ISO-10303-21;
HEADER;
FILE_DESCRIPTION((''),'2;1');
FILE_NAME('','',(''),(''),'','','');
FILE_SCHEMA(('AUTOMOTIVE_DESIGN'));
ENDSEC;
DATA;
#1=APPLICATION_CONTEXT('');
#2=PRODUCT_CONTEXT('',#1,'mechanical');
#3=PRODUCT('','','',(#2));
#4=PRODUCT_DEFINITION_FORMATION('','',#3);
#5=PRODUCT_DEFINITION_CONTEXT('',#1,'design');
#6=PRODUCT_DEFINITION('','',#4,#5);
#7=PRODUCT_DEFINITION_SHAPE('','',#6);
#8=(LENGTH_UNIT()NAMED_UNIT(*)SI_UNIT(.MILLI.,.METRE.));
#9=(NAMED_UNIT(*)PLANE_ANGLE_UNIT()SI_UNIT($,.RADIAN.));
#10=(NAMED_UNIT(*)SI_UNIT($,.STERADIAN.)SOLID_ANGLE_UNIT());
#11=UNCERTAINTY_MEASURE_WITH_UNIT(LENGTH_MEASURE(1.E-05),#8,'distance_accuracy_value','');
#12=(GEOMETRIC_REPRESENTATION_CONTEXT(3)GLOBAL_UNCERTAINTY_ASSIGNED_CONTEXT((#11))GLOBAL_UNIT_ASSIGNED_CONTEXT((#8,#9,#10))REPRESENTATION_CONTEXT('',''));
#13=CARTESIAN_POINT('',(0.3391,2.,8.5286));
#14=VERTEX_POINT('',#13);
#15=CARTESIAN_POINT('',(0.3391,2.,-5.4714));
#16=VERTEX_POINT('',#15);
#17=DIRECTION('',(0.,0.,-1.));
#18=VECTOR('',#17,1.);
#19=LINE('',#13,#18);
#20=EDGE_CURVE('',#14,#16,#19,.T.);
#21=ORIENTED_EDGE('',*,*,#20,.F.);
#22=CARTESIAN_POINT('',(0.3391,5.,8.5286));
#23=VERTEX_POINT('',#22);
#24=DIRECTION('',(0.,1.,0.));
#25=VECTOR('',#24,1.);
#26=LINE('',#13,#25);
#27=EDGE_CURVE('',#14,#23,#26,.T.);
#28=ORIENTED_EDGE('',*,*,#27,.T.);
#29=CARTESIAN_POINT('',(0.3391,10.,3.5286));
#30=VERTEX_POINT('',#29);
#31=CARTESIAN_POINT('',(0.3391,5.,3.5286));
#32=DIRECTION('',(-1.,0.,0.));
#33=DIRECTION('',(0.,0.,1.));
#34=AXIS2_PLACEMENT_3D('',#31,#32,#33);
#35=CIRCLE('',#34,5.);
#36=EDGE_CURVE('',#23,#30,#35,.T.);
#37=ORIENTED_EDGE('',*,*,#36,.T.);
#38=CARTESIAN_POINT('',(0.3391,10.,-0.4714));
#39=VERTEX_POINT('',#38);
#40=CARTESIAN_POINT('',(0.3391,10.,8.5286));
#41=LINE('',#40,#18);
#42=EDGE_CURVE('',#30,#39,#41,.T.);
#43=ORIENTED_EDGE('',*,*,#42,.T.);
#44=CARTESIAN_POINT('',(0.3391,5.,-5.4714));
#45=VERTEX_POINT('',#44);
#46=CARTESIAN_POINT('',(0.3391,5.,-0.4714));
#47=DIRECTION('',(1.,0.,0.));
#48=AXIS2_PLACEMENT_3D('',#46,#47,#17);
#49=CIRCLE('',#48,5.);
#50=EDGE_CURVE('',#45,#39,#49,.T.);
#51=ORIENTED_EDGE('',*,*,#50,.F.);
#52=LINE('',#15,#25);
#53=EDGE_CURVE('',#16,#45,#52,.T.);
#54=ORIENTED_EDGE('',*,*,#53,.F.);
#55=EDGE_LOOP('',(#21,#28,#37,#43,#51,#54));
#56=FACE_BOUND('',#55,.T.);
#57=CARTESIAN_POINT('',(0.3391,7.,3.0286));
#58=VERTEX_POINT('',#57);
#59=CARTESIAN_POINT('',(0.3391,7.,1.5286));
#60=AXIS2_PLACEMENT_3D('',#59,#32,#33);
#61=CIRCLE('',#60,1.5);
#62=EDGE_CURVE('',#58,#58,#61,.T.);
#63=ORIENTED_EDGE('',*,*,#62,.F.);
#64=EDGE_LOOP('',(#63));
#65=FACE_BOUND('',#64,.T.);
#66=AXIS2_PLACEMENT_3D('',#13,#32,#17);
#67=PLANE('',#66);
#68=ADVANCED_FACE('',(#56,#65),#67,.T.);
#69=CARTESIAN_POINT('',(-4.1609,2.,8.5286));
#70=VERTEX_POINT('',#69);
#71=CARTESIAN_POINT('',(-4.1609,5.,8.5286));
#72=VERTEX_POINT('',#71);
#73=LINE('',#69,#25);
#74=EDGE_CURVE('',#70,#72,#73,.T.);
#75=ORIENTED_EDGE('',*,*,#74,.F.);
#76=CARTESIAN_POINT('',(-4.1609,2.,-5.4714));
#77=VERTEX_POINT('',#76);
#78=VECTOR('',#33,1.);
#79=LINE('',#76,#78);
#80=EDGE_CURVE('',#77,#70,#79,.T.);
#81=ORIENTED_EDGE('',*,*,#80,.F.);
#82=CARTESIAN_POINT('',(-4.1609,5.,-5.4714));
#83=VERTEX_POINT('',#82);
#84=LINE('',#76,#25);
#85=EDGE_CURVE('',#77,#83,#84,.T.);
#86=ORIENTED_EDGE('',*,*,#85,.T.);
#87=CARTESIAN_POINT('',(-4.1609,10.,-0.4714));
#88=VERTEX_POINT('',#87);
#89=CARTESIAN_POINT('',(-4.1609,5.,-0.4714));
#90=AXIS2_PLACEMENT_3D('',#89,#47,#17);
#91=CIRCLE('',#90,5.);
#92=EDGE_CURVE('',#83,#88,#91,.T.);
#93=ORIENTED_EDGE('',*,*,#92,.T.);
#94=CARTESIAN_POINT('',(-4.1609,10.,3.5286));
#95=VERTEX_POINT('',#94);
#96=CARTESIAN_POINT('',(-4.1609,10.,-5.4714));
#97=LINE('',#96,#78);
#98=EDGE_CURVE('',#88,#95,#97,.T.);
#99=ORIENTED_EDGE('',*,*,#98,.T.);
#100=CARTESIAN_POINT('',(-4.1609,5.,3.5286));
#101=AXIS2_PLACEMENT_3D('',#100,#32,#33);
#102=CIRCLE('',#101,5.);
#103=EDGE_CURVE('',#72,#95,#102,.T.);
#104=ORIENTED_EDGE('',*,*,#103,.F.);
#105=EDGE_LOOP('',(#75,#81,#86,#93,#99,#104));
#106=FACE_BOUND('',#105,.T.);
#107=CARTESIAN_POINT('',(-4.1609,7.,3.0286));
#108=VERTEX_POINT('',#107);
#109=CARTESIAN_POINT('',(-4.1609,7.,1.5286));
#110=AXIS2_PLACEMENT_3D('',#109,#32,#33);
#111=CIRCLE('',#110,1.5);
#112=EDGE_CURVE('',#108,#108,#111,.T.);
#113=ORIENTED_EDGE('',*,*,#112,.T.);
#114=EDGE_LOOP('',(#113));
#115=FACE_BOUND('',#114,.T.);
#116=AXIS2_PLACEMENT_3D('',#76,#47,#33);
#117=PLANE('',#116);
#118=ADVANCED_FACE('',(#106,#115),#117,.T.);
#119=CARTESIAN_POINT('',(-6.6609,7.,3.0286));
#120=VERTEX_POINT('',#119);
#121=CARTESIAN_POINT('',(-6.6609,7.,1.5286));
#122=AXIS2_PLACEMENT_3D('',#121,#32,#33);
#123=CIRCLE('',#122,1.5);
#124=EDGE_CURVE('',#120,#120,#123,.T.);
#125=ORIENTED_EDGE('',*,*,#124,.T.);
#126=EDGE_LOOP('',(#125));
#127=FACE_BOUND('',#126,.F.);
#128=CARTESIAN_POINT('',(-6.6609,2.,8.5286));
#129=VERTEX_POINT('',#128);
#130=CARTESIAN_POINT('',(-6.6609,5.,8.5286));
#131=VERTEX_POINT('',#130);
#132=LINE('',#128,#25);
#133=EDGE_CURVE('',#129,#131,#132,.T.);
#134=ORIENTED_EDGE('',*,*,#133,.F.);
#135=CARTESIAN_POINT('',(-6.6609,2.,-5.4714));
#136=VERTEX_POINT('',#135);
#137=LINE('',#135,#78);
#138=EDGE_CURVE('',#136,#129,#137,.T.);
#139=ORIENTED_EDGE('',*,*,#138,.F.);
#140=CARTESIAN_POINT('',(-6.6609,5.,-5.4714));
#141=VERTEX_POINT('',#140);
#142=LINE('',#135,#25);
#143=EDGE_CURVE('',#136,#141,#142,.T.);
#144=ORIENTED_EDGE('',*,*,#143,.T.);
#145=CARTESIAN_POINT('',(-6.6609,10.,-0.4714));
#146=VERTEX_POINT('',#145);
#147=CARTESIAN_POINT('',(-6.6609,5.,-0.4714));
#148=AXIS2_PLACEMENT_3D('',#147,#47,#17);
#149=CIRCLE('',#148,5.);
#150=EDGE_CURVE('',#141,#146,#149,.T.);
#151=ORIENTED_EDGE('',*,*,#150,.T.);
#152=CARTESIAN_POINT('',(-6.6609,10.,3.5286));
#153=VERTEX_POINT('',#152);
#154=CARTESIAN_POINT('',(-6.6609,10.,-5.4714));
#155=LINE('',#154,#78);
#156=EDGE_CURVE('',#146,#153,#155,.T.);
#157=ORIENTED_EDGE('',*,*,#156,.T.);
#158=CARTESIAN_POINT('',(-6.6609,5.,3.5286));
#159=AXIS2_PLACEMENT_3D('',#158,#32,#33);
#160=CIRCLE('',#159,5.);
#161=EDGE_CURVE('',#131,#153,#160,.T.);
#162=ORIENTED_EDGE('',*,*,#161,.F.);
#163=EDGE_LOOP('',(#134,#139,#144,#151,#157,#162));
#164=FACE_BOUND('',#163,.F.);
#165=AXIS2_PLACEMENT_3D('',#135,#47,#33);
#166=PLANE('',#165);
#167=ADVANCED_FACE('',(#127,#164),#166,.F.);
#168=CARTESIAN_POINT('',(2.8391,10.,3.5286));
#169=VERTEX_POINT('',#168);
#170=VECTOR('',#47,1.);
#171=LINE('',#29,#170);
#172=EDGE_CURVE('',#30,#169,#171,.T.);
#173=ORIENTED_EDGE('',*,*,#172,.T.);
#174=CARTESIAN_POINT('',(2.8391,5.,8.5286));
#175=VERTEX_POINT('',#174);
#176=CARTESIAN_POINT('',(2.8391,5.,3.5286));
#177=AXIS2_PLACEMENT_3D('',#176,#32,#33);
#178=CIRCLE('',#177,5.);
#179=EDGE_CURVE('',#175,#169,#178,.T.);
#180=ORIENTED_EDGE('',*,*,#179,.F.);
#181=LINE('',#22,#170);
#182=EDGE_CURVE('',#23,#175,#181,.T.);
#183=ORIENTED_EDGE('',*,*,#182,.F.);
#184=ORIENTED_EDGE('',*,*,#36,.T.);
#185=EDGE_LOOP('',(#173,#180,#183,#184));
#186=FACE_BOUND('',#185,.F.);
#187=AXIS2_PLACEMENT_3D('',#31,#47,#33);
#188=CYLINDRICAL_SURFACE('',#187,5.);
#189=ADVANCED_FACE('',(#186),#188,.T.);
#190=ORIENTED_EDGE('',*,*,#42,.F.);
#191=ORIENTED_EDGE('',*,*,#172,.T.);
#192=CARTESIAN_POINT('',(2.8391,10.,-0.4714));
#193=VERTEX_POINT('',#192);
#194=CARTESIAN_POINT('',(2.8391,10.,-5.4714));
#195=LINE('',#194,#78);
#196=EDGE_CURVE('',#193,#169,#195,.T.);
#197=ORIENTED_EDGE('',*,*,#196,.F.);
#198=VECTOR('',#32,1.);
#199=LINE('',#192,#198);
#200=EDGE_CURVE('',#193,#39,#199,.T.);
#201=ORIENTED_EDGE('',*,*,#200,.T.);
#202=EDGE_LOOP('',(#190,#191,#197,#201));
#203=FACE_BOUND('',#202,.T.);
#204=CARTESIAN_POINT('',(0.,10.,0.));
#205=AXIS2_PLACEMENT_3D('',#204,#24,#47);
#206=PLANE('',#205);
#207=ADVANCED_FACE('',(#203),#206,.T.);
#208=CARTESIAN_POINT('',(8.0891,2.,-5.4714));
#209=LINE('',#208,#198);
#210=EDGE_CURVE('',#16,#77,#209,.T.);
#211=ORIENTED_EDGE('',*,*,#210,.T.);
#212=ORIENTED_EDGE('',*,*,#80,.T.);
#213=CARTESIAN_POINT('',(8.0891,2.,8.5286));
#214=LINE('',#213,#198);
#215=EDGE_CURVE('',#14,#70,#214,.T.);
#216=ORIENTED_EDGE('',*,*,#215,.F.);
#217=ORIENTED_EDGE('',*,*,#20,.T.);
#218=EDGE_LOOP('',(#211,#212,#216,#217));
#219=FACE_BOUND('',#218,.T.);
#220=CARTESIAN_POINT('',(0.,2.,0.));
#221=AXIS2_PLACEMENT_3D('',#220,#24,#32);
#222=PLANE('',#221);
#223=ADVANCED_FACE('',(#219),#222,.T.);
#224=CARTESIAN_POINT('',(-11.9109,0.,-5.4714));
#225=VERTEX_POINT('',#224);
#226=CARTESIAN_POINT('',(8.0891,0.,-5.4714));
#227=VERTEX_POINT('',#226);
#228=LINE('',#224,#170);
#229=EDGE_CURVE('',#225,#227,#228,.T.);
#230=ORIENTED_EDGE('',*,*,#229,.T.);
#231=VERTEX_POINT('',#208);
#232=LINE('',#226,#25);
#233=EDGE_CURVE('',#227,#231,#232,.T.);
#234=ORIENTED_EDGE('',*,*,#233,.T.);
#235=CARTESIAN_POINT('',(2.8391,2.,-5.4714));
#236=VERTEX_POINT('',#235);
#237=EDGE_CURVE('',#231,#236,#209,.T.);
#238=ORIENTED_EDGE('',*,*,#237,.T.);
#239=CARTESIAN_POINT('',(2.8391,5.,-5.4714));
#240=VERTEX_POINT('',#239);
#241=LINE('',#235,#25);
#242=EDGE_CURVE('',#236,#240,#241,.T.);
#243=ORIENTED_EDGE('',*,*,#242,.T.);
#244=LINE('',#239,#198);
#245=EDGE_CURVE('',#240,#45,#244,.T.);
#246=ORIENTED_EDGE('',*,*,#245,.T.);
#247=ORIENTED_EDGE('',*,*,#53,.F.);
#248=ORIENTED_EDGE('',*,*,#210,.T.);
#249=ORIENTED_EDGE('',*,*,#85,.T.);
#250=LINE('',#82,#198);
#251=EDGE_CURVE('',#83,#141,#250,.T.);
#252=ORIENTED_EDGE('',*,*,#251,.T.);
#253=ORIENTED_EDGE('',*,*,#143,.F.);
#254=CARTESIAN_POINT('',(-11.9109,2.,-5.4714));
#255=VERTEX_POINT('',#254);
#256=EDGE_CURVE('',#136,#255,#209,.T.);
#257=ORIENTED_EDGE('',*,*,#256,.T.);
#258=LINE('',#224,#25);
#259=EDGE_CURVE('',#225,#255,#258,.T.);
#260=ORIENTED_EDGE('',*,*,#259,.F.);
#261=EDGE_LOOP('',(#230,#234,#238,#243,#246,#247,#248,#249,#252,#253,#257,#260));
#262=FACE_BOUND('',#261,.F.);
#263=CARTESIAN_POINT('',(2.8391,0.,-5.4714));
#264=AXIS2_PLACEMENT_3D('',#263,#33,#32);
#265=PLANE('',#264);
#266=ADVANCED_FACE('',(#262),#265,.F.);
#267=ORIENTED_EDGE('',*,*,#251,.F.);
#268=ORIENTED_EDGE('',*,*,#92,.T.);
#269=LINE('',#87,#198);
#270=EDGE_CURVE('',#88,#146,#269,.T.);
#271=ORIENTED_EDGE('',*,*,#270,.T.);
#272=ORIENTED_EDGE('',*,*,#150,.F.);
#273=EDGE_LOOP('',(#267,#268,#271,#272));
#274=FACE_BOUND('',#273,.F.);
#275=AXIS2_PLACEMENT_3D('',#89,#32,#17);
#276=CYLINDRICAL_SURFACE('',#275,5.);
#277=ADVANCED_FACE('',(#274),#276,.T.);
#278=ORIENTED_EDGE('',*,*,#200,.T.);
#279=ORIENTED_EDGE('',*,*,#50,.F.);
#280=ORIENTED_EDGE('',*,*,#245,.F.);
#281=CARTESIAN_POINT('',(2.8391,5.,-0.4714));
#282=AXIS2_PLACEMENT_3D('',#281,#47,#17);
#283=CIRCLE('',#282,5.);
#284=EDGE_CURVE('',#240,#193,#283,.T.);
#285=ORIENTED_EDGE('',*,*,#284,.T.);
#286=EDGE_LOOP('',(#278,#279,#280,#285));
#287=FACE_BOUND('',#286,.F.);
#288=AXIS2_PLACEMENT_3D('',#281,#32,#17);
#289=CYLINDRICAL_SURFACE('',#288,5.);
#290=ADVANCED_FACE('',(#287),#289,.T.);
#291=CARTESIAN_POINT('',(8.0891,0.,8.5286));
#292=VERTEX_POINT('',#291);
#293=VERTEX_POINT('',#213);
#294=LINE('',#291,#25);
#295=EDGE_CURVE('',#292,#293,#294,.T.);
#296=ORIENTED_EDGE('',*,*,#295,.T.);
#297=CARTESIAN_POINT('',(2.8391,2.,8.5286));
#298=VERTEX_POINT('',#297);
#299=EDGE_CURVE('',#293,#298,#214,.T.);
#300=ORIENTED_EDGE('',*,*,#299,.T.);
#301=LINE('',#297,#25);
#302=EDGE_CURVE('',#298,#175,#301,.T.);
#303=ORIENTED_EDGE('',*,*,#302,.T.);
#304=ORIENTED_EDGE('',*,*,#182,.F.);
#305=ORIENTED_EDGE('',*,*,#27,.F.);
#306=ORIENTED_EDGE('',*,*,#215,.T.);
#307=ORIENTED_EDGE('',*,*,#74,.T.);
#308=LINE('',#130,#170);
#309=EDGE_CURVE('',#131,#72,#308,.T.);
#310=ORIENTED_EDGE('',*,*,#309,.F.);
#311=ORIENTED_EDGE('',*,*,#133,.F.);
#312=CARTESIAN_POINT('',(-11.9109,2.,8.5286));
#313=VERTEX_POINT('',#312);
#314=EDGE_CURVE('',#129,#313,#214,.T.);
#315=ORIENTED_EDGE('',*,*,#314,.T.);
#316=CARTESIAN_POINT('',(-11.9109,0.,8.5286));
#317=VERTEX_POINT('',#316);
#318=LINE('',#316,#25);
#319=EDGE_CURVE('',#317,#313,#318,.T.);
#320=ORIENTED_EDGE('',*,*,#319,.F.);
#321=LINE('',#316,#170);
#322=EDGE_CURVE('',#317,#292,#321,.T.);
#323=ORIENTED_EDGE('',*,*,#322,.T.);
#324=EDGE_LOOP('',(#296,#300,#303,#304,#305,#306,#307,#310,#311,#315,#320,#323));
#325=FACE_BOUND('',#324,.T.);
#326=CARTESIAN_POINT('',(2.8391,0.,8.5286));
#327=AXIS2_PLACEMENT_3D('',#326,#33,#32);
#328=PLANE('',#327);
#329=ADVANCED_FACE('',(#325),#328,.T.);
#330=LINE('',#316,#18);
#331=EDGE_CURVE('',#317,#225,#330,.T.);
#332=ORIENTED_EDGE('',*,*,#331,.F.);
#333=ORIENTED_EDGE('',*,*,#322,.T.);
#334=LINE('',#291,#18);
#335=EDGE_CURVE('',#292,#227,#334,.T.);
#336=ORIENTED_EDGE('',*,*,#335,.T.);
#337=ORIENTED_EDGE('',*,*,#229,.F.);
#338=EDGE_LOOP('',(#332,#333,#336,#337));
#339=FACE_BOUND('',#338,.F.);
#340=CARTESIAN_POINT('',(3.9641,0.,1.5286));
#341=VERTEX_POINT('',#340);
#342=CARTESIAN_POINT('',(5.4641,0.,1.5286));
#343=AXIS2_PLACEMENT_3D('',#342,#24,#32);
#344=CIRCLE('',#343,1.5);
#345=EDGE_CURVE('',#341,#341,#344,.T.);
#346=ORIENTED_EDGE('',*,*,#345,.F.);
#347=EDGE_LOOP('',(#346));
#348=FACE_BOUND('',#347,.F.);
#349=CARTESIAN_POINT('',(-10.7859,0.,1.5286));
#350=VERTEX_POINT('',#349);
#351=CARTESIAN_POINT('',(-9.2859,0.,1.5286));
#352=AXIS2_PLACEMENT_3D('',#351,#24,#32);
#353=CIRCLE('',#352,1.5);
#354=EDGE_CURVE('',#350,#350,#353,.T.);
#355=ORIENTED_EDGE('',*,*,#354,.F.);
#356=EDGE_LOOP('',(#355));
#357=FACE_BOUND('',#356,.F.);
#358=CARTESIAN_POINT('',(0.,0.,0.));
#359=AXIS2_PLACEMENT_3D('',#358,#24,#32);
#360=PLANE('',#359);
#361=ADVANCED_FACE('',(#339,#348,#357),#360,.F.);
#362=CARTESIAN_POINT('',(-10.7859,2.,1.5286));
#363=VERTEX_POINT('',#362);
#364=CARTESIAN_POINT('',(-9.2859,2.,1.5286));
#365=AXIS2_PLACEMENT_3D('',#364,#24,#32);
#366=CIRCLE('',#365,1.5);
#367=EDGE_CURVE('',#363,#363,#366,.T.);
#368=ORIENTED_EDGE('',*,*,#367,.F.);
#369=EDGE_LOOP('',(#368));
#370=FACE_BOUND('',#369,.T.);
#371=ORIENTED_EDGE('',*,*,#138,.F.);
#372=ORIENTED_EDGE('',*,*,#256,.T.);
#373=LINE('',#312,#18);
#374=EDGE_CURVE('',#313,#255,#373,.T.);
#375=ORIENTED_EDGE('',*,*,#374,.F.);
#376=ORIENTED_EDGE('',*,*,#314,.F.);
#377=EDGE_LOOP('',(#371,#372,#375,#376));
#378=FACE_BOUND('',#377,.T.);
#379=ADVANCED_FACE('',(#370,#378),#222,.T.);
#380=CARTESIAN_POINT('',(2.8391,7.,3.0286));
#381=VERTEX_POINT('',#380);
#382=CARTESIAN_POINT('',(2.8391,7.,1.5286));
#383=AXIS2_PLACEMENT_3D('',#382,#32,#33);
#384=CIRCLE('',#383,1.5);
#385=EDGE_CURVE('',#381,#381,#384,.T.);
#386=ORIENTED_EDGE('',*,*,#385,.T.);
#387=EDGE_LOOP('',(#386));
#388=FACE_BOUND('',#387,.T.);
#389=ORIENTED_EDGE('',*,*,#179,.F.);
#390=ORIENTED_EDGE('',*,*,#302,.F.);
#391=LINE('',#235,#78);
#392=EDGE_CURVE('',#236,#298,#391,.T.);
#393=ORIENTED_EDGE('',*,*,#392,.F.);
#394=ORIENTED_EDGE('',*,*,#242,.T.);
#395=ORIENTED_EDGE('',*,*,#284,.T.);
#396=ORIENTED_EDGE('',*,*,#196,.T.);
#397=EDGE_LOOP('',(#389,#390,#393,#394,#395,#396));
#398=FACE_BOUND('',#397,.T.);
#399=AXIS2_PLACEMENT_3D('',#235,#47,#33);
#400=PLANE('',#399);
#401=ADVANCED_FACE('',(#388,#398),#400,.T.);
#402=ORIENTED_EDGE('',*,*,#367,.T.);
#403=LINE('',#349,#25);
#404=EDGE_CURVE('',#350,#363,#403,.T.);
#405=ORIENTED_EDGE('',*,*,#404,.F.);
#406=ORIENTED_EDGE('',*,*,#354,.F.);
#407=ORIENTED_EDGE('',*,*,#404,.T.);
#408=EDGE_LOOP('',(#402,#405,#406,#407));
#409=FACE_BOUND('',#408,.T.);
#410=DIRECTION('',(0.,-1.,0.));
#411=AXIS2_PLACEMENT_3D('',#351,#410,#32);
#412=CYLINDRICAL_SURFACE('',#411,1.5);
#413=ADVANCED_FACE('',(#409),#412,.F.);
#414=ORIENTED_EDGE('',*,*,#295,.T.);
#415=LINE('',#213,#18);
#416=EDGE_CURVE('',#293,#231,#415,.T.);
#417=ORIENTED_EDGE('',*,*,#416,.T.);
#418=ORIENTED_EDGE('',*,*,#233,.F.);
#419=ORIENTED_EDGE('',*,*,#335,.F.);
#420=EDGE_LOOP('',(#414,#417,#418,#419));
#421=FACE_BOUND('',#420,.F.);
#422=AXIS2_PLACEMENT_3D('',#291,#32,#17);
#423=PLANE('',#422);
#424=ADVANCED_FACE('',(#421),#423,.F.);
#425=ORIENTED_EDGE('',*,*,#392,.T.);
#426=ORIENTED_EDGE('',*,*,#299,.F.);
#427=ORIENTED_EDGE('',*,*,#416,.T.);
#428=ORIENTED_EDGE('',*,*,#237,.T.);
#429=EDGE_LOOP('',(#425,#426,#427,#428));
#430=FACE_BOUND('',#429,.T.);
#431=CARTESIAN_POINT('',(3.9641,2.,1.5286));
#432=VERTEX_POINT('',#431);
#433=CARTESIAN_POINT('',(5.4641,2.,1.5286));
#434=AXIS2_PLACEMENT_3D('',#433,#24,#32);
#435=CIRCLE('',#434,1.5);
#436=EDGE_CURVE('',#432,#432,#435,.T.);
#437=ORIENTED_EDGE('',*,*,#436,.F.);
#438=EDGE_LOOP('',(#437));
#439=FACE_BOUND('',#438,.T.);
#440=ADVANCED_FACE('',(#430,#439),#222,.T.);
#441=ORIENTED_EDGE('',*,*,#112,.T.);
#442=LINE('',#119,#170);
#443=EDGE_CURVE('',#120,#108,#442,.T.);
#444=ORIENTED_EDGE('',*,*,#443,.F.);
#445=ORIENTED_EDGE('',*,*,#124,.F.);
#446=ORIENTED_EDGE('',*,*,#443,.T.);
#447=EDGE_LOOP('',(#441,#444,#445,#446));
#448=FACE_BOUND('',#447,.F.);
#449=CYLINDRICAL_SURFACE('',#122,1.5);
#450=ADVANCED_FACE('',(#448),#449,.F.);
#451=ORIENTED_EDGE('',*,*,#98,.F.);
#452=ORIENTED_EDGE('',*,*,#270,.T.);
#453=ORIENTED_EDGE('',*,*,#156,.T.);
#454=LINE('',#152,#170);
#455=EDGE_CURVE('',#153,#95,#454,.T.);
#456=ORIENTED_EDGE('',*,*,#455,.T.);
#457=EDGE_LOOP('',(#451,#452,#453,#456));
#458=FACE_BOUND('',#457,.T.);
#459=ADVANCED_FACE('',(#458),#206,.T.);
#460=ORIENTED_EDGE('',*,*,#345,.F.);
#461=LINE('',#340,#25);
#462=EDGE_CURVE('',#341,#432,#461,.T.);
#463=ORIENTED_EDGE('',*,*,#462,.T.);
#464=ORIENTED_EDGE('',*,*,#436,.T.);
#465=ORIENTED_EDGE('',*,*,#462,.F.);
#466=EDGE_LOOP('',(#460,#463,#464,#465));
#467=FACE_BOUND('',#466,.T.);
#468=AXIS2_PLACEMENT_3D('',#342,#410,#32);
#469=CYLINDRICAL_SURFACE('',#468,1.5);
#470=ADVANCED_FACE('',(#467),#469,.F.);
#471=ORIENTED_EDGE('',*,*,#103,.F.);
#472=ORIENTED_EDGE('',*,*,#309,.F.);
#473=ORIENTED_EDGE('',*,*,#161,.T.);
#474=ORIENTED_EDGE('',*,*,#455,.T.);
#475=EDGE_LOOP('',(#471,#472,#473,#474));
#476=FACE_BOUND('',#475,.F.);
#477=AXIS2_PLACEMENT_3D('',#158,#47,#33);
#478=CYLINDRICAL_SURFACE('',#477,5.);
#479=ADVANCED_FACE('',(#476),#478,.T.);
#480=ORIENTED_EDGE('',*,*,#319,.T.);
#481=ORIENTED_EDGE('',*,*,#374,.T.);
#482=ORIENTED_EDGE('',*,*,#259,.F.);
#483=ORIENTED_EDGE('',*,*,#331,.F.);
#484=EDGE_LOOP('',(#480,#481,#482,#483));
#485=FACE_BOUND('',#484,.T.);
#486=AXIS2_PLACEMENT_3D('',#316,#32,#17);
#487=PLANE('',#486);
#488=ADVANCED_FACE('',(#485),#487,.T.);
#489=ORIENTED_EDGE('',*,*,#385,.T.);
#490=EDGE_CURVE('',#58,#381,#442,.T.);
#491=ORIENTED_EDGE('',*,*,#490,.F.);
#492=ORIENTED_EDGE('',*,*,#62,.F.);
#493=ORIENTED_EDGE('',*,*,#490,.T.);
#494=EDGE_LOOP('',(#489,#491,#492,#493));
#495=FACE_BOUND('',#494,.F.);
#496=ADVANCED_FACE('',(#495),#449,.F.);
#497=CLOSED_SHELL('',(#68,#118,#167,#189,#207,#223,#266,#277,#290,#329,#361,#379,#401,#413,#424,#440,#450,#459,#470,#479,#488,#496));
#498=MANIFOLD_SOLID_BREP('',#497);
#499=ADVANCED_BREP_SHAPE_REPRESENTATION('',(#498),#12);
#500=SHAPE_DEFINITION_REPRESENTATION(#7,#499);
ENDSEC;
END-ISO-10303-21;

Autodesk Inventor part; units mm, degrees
ref_plane "YZ Plane" through (0, 0, 0) normal (1, 0, 0) x (0, 1, 0)
ref_plane "XZ Plane" through (0, 0, 0) normal (0, 1, 0) x (-1, 0, 0)
ref_plane "XY Plane" through (0, 0, 0) normal (0, 0, 1) x (1, 0, 0)
sketch "Sketch1" plane through (0, 0, 0) normal (0, 1, 0) x (-1, 0, 0)
  line L0 (-2.8391, 8.5286) -> (6.6609, 8.5286)
  line L1 (6.6609, 8.5286) -> (6.6609, -5.4714)
  line L2 (-2.8391, 8.5286) -> (-2.8391, -5.4714)
  line L3 (-2.8391, -5.4714) -> (6.6609, -5.4714)
  line L4 (-0.3391, 8.5286) -> (-0.3391, -5.4714)
  line L5 (4.1609, 8.5286) -> (4.1609, -5.4714)
  line L6 (-2.8391, 8.5286) -> (-8.0891, 8.5286)
  line L7 (-8.0891, 8.5286) -> (-8.0891, -5.4714)
  line L8 (-8.0891, -5.4714) -> (-2.8391, -5.4714)
  line L9 (6.6609, 8.5286) -> (11.9109, 8.5286)
  line L10 (11.9109, 8.5286) -> (11.9109, -5.4714)
  line L11 (11.9109, -5.4714) -> (6.6609, -5.4714)
  circle A0 centre (-5.4641, 1.5286) radius 1.5
  circle A1 centre (9.2859, 1.5286) radius 1.5
  point P0 (0, 0)
  dimension "d0" = 4.5
  dimension "d3" = 2.5
  dimension "d5" = 2.5
  dimension "d7" = 20
  dimension "d8" = 5.25
  dimension "d9" = 5.25
  dimension "d10" = 14
  dimension "d11" = 3
  dimension "d12" = 3
  dimension "d27" = 2.625
  dimension "d28" = 2.625
extrude "Extrusion1" add sketch "Sketch1" along normal blind 2
sketch "Sketch2" plane through (0, 2, 0) normal (0, 1, 0) x (1, 0, 0)
  line L0 (8.0891, 5.4714) -> (-11.9109, 5.4714) projected
  line L1 (-11.9109, -8.5286) -> (8.0891, -8.5286) projected
  line L2 (-4.1609, 5.4714) -> (-4.1609, -8.5286)
  line L3 (-4.1609, -8.5286) -> (0.3391, -8.5286)
  line L4 (0.3391, -8.5286) -> (0.3391, 5.4714)
  line L5 (0.3391, 5.4714) -> (2.8391, 5.4714)
  line L6 (2.8391, 5.4714) -> (2.8391, -8.5286)
  line L7 (-6.6609, 5.4714) -> (-6.6609, -8.5286)
  circle A0 centre (5.4641, -1.5286) radius 1.5 projected
  point P0 (0, 0)
  dimension "d16" = 4.5
  dimension "d17" = 2.5
  dimension "d18" = 2.5
  dimension "d29" = 2.625
extrude "Extrusion2" add sketch "Sketch2" along normal blind 8 contours L6 L1 L4 L0 | L2 L1 L7 L0
fillet "Fillet1" radius 5 4 edges at (-5.4109, 10, -5.4714) (-5.4109, 10, 8.5286) (1.5891, 10, 8.5286) (1.5891, 10, -5.4714)
sketch "Sketch3" plane through (-6.6609, 2, -5.4714) normal (-1, 0, 0) x (0, 0, 1)
  line L0 (14, 0) -> (0, 0) projected
  circle A0 centre (7, 5) radius 1.5
  point P0 (5.4714, -2)
  dimension "d23" = 3
  dimension "d24" = 5
extrude "Extrusion3" cut sketch "Sketch3" against normal blind 20
properties material "ABS Plastic"
